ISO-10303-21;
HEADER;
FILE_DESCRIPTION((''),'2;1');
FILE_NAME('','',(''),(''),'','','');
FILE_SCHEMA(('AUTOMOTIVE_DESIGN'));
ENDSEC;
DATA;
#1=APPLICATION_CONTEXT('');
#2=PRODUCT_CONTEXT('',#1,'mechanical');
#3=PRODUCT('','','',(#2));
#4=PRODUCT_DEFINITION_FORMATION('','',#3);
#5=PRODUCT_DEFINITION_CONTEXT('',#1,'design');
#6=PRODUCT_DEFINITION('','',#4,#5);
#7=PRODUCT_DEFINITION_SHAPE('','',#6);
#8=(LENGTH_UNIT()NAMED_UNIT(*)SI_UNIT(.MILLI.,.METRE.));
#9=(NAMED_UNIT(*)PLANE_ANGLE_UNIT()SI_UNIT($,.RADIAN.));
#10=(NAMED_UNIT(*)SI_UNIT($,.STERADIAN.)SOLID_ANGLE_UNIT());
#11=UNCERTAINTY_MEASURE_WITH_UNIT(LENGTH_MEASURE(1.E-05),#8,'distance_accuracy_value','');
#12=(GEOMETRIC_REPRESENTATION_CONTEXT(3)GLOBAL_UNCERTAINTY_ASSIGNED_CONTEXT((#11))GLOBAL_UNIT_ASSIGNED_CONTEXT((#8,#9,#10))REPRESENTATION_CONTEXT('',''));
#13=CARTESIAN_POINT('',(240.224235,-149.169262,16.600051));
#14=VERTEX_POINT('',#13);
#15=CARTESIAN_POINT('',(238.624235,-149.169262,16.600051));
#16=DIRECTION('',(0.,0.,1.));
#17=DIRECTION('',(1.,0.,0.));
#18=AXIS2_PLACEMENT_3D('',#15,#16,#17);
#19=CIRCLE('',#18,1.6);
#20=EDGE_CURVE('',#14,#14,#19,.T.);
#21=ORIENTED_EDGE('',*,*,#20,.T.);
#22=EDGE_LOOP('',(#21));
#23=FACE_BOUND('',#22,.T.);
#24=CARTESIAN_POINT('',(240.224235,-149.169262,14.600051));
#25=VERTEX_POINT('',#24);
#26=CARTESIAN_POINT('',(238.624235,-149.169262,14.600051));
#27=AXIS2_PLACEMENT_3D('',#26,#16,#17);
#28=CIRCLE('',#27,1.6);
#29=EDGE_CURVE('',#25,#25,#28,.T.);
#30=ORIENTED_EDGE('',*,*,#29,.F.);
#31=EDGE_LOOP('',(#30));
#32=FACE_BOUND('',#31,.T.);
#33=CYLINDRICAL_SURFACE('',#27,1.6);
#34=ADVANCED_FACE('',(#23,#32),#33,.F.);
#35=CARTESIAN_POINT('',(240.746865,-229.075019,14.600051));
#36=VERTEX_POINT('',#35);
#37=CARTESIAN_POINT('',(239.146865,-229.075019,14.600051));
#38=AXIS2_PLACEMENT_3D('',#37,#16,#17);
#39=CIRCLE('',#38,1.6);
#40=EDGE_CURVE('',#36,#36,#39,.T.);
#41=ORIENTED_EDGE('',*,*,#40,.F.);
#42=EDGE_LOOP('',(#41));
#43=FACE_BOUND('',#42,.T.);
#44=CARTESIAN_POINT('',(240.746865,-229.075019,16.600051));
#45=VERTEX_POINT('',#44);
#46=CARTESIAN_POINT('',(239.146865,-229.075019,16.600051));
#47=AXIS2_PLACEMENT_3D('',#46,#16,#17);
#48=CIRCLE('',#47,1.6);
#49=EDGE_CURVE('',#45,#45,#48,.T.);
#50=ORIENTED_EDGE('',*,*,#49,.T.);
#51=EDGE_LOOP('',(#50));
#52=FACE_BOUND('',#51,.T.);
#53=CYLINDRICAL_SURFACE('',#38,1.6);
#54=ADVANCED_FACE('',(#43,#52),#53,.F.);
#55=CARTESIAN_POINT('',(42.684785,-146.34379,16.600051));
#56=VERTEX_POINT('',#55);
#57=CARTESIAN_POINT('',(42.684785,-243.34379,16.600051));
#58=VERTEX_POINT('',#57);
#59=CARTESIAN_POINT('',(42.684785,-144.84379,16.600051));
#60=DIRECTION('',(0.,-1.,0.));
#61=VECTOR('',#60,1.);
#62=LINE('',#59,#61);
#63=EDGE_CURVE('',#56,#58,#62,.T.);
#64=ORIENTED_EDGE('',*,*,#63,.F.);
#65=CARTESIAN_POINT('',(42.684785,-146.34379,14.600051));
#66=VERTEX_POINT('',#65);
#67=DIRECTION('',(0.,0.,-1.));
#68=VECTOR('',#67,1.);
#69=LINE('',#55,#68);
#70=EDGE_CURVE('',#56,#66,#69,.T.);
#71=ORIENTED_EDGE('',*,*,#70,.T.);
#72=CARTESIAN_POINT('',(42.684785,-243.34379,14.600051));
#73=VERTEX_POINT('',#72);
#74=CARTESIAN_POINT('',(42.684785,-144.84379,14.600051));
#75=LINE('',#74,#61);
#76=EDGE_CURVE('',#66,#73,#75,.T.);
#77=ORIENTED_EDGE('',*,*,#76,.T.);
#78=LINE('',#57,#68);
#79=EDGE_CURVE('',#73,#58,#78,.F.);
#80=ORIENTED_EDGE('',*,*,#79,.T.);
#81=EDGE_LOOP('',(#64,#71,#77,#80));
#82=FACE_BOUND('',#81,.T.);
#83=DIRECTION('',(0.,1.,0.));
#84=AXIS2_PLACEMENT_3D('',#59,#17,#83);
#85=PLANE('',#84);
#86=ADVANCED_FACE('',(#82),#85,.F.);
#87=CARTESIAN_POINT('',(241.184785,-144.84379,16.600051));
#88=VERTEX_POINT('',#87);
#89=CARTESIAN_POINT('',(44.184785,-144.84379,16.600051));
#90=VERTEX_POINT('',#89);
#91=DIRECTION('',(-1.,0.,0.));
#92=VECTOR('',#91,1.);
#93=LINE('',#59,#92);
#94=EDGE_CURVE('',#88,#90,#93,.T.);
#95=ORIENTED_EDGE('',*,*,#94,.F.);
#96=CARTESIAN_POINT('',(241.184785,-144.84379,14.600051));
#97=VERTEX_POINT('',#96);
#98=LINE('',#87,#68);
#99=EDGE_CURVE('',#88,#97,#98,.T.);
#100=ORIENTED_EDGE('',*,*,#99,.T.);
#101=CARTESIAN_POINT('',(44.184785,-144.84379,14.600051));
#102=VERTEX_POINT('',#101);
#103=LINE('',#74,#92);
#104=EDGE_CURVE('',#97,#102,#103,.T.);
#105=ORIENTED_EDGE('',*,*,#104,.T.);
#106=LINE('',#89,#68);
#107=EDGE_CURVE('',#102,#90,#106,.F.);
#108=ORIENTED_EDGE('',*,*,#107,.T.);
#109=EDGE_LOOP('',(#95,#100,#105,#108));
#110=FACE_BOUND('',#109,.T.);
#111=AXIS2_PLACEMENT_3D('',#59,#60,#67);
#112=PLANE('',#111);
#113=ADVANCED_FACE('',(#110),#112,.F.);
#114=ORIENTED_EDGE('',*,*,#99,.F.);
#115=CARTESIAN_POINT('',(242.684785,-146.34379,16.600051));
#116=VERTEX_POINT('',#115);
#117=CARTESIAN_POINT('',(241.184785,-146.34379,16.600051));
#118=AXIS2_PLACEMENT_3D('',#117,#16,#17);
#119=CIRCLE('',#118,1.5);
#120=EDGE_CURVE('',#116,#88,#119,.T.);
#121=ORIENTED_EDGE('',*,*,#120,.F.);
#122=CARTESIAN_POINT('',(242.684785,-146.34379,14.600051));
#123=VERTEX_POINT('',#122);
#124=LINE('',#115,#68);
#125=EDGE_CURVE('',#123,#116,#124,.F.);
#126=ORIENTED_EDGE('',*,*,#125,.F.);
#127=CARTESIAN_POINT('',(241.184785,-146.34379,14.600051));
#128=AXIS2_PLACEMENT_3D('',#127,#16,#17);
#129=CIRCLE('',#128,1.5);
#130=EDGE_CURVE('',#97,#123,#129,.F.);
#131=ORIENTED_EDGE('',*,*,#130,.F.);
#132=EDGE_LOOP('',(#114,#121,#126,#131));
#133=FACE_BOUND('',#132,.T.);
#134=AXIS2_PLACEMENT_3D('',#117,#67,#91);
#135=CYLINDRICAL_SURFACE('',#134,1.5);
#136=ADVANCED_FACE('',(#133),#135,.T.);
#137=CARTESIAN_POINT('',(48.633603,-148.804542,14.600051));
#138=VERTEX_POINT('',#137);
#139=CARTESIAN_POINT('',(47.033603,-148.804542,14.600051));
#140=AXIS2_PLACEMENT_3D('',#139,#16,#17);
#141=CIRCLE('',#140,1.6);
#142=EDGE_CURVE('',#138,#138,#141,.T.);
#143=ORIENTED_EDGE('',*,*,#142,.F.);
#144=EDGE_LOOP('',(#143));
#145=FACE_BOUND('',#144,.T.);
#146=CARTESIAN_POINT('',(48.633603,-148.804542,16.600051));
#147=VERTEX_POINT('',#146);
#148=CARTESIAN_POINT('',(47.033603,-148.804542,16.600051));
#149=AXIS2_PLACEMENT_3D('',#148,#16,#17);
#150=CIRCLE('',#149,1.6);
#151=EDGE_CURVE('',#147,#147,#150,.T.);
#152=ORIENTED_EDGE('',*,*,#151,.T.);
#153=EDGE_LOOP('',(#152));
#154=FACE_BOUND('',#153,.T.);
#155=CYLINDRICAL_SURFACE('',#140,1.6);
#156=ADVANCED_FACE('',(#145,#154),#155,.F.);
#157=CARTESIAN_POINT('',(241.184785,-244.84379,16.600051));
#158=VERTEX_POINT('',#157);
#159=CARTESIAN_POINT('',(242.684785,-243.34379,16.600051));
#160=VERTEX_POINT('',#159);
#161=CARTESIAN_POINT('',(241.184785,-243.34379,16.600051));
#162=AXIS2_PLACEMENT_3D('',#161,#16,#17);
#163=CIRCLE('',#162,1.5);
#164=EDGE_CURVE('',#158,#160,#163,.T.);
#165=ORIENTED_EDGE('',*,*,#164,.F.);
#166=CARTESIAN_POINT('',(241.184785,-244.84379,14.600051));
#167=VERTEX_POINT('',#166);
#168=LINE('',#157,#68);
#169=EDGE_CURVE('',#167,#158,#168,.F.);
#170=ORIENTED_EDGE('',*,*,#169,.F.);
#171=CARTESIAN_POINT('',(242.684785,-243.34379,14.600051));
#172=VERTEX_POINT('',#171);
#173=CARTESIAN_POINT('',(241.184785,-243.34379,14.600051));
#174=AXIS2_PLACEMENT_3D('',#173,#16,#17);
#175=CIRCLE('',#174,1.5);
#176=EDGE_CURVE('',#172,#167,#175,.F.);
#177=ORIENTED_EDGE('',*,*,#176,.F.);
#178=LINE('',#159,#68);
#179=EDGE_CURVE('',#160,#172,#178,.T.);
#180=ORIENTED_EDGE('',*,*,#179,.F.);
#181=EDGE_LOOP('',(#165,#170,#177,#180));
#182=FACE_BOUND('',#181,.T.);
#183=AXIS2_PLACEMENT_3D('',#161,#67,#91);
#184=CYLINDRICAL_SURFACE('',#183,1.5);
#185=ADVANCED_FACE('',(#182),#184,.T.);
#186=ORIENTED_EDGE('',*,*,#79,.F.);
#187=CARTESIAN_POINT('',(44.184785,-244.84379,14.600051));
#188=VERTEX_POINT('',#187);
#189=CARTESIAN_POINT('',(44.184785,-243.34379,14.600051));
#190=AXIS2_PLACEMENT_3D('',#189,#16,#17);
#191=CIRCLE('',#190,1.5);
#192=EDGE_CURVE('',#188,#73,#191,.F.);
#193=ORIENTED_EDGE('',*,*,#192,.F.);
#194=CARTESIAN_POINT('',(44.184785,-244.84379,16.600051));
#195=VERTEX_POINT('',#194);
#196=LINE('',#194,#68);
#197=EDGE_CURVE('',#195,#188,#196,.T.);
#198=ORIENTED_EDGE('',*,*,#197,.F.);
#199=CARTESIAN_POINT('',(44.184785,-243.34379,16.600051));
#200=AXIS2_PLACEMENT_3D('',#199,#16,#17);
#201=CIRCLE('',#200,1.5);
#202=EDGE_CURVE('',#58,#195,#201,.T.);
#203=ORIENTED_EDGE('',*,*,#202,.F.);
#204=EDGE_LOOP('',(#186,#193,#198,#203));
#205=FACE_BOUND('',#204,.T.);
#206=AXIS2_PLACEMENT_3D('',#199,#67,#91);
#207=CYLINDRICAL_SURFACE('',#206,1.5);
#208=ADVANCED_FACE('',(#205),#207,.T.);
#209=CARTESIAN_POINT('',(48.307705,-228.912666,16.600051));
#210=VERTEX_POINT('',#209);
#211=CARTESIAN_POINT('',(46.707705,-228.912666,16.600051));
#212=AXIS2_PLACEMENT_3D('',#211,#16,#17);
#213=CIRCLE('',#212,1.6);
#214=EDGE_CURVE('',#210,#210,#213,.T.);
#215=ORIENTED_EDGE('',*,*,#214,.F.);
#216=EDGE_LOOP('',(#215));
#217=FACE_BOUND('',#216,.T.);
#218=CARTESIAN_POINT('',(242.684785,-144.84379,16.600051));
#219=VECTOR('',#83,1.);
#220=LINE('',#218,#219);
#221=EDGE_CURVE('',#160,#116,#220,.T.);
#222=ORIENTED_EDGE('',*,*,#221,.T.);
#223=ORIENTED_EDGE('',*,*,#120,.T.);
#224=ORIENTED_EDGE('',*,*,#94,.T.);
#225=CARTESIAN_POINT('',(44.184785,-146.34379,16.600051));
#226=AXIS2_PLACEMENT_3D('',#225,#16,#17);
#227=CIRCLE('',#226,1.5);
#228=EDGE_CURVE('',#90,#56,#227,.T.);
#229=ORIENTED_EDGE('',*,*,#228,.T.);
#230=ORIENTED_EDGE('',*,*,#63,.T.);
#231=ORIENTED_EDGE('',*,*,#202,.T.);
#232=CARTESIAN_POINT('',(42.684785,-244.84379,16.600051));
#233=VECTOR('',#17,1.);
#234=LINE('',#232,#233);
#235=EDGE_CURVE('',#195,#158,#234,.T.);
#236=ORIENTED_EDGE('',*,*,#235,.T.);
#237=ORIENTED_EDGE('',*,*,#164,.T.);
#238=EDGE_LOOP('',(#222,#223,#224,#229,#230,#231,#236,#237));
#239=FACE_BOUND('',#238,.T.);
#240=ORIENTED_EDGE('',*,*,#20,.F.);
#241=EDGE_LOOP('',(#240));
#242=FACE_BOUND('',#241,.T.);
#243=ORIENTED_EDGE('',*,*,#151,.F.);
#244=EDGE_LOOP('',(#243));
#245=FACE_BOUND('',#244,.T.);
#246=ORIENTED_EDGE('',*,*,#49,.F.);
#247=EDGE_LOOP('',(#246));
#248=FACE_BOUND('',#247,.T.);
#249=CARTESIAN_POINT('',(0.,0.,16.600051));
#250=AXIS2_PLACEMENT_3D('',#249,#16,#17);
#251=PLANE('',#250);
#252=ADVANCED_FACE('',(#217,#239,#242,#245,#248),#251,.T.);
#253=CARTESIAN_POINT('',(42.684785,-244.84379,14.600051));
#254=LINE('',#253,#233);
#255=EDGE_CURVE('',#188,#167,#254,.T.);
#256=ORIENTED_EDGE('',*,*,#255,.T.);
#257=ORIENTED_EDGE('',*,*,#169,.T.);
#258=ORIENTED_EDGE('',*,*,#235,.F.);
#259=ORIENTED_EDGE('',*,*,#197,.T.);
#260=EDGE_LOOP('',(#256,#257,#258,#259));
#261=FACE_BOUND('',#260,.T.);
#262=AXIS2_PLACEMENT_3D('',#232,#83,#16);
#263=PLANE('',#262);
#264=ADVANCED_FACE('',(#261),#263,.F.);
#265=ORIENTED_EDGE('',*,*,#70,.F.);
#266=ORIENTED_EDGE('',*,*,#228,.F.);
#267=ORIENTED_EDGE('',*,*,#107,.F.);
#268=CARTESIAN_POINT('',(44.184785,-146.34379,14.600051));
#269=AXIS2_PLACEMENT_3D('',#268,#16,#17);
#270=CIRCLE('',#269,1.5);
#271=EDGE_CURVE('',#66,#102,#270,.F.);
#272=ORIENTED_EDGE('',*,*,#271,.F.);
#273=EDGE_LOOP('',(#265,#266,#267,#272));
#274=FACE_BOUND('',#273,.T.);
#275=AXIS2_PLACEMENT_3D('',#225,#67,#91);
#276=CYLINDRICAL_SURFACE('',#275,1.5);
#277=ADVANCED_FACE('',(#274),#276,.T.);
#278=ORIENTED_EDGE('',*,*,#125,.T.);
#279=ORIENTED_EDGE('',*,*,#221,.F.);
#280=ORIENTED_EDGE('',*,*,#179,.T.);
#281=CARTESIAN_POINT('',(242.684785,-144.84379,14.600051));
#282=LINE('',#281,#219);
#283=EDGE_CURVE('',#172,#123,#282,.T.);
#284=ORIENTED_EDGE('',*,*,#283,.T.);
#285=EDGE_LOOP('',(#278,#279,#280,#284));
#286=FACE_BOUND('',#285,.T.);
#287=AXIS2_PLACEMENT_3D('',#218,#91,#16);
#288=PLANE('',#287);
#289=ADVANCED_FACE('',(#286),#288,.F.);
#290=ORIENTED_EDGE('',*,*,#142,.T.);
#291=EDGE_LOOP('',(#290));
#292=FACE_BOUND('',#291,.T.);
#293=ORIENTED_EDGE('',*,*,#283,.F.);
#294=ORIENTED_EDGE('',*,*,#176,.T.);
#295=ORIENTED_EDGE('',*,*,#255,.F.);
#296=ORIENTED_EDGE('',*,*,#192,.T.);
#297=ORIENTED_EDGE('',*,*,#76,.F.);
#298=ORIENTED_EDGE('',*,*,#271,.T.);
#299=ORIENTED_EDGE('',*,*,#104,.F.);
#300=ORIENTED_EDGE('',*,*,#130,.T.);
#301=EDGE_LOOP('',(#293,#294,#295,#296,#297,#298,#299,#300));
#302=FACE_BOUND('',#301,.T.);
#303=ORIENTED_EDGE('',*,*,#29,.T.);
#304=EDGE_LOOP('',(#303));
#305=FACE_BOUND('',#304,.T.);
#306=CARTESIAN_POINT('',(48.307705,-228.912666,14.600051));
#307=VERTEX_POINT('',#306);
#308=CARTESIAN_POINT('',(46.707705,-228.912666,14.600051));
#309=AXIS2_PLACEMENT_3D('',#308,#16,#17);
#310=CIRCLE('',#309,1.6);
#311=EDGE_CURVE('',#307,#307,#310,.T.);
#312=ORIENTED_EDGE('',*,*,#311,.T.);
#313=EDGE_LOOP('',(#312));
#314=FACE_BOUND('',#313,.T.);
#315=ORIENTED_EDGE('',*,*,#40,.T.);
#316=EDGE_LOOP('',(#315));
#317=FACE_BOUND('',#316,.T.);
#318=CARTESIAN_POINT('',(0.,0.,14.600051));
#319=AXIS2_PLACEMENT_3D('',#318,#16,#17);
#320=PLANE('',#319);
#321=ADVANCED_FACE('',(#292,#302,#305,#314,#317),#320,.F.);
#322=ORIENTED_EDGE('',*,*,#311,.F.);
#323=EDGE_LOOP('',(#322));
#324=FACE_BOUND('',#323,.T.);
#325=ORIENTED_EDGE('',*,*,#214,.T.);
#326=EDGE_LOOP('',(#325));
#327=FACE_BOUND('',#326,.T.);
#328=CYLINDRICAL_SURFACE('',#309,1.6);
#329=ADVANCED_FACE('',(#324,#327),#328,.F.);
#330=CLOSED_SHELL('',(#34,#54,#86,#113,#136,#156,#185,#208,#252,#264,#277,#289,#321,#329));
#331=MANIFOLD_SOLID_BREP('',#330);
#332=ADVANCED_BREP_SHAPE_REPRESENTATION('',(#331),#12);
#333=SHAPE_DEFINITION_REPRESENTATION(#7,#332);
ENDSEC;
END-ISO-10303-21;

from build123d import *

# Parameters (mm, degrees)
SKETCH_1_W          = 200
SKETCH_1_H          = 100.000000001
EXTRUDE_1_DEPTH     = 2
SKETCH_2_R          = 1.6
CUT_EXTRUDE_1_DEPTH = 2
FILLET_1_R          = 1.5


with BuildPart() as part:
    # 草图1 → 凸台-拉伸1 (new body)
    with BuildSketch(Plane.XY.offset(14.6000508)):
        with Locations((142.68478537, -194.843789688)):
            Rectangle(SKETCH_1_W, SKETCH_1_H)
    extrude(amount=EXTRUDE_1_DEPTH)

    # 草图2 → 切除-拉伸1 (cut)
    with BuildSketch(Plane.XY.offset(16.6000508)):
        with Locations((47.033603413, -148.804542119)):
            Circle(SKETCH_2_R)
        with Locations((238.624235091, -149.169262017)):
            Circle(SKETCH_2_R)
        with Locations((46.707705004, -228.912665547)):
            Circle(SKETCH_2_R)
        with Locations((239.14686479, -229.07501855)):
            Circle(SKETCH_2_R)
    extrude(amount=-CUT_EXTRUDE_1_DEPTH, mode=Mode.SUBTRACT)

    # 圆角1
    fillet_1_edges = [part.edges().sort_by_distance(p)[0] for p in [
        (42.68478537, -144.843789687, 15.6000508),
        (242.68478537, -144.843789687, 15.6000508),
        (242.68478537, -244.843789688, 15.6000508),
        (42.68478537, -244.843789688, 15.6000508),
    ]]
    fillet(fillet_1_edges, radius=FILLET_1_R)


solid = part.part
